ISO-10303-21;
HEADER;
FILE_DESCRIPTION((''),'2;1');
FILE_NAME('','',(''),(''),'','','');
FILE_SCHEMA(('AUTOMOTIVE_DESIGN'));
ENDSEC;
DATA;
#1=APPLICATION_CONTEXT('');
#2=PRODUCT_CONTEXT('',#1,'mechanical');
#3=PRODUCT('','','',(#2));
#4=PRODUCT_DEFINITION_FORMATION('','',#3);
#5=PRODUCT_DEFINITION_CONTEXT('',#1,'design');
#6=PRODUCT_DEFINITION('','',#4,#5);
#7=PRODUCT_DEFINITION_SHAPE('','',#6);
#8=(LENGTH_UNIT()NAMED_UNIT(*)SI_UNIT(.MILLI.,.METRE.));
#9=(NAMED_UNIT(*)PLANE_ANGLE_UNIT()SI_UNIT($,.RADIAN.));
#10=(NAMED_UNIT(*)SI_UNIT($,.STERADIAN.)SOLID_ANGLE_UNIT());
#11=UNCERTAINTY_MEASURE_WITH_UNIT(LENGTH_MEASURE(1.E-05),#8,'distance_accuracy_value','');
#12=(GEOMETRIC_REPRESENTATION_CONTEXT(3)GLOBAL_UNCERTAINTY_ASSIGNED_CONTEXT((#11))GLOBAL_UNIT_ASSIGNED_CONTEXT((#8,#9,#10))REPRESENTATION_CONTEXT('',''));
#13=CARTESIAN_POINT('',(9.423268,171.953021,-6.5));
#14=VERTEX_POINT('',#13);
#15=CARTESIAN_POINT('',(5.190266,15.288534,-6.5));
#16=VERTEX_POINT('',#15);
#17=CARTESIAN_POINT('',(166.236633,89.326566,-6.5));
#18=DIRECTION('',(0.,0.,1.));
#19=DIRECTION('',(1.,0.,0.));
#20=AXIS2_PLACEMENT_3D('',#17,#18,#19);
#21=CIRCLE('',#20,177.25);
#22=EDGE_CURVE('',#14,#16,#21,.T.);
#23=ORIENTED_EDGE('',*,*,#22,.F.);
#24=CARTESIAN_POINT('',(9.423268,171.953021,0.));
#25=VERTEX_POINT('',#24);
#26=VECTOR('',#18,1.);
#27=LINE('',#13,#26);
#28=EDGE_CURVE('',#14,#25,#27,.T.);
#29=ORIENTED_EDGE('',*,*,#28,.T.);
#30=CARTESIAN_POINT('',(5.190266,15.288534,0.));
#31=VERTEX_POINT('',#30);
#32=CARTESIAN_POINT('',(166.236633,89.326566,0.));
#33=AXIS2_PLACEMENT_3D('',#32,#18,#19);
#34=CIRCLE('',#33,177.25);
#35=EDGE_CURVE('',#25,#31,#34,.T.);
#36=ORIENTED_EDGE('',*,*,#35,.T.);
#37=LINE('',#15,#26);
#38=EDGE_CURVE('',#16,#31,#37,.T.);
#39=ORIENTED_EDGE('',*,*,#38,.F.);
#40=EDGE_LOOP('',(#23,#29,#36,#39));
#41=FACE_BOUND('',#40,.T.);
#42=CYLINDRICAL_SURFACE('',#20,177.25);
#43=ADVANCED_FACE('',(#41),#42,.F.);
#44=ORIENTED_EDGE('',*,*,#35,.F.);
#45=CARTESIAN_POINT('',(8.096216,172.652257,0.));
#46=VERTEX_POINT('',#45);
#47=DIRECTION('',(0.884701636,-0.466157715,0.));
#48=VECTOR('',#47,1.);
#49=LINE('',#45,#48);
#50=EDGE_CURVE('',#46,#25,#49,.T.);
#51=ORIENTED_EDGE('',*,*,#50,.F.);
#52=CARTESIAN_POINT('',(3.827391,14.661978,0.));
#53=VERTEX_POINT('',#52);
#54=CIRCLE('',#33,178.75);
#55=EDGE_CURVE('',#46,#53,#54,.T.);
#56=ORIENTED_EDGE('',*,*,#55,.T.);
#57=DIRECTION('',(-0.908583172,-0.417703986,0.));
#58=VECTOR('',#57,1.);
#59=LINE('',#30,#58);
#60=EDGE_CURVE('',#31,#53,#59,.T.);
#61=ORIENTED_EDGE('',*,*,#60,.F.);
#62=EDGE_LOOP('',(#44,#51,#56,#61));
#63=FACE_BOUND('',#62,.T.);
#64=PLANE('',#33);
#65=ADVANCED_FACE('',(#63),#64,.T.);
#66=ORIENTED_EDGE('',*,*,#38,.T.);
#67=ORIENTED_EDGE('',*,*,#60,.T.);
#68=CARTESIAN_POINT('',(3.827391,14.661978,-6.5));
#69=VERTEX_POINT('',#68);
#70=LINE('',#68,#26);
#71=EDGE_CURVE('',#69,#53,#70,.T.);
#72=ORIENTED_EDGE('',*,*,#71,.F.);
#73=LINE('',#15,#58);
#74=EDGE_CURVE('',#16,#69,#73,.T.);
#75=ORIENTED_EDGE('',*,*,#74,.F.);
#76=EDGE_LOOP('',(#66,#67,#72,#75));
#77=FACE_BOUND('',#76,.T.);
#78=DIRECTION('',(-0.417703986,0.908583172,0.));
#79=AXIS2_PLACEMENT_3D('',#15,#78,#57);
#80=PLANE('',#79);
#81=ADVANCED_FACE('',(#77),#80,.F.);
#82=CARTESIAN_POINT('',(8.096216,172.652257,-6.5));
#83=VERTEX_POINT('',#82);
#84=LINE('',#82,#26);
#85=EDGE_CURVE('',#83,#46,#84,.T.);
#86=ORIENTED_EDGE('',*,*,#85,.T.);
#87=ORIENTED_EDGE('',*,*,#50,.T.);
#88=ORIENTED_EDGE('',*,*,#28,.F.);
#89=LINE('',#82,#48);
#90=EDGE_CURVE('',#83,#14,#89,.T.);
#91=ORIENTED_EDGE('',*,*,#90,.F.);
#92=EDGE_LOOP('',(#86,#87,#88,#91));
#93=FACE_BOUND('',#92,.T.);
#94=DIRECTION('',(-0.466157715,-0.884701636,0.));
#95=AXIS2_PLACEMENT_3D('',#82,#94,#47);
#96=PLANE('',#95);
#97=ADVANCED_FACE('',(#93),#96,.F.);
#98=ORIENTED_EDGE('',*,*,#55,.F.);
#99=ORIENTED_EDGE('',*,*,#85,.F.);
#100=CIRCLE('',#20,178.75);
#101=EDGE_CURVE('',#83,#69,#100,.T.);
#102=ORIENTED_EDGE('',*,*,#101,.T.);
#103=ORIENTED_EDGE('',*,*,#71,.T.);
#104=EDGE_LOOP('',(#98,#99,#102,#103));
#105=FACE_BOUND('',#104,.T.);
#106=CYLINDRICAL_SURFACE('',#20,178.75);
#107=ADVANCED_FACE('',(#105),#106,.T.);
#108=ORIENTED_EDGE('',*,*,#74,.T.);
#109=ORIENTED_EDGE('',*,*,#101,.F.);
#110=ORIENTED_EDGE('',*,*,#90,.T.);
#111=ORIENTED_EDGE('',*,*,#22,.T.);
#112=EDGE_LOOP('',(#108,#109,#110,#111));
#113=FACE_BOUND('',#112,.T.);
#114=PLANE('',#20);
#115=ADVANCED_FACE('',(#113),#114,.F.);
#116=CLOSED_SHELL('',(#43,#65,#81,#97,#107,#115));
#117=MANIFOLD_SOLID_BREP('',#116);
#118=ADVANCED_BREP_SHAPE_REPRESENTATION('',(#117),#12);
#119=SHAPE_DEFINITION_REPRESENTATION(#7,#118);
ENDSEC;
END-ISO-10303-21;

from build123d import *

# Parameters (mm, degrees)
EXTRUDE_THIN1_DEPTH = 6.5


with BuildPart() as part:
    # Sketch1 → Extrude-Thin1 (new body)
    with BuildSketch(Plane.XY):
        with BuildLine():
            ThreePointArc((9.423268045, 171.953020749), (-10.948701222, 94.114031818), (5.190265818, 15.288534214))
            Line((5.190265818, 15.288534214), (3.827391061, 14.661978235))
            ThreePointArc((3.827391061, 14.661978235), (-12.44815398, 94.15454634), (8.096215591, 172.652257322))
            Line((8.096215591, 172.652257322), (9.423268045, 171.953020749))
        make_face()
    extrude(amount=-EXTRUDE_THIN1_DEPTH)


solid = part.part
